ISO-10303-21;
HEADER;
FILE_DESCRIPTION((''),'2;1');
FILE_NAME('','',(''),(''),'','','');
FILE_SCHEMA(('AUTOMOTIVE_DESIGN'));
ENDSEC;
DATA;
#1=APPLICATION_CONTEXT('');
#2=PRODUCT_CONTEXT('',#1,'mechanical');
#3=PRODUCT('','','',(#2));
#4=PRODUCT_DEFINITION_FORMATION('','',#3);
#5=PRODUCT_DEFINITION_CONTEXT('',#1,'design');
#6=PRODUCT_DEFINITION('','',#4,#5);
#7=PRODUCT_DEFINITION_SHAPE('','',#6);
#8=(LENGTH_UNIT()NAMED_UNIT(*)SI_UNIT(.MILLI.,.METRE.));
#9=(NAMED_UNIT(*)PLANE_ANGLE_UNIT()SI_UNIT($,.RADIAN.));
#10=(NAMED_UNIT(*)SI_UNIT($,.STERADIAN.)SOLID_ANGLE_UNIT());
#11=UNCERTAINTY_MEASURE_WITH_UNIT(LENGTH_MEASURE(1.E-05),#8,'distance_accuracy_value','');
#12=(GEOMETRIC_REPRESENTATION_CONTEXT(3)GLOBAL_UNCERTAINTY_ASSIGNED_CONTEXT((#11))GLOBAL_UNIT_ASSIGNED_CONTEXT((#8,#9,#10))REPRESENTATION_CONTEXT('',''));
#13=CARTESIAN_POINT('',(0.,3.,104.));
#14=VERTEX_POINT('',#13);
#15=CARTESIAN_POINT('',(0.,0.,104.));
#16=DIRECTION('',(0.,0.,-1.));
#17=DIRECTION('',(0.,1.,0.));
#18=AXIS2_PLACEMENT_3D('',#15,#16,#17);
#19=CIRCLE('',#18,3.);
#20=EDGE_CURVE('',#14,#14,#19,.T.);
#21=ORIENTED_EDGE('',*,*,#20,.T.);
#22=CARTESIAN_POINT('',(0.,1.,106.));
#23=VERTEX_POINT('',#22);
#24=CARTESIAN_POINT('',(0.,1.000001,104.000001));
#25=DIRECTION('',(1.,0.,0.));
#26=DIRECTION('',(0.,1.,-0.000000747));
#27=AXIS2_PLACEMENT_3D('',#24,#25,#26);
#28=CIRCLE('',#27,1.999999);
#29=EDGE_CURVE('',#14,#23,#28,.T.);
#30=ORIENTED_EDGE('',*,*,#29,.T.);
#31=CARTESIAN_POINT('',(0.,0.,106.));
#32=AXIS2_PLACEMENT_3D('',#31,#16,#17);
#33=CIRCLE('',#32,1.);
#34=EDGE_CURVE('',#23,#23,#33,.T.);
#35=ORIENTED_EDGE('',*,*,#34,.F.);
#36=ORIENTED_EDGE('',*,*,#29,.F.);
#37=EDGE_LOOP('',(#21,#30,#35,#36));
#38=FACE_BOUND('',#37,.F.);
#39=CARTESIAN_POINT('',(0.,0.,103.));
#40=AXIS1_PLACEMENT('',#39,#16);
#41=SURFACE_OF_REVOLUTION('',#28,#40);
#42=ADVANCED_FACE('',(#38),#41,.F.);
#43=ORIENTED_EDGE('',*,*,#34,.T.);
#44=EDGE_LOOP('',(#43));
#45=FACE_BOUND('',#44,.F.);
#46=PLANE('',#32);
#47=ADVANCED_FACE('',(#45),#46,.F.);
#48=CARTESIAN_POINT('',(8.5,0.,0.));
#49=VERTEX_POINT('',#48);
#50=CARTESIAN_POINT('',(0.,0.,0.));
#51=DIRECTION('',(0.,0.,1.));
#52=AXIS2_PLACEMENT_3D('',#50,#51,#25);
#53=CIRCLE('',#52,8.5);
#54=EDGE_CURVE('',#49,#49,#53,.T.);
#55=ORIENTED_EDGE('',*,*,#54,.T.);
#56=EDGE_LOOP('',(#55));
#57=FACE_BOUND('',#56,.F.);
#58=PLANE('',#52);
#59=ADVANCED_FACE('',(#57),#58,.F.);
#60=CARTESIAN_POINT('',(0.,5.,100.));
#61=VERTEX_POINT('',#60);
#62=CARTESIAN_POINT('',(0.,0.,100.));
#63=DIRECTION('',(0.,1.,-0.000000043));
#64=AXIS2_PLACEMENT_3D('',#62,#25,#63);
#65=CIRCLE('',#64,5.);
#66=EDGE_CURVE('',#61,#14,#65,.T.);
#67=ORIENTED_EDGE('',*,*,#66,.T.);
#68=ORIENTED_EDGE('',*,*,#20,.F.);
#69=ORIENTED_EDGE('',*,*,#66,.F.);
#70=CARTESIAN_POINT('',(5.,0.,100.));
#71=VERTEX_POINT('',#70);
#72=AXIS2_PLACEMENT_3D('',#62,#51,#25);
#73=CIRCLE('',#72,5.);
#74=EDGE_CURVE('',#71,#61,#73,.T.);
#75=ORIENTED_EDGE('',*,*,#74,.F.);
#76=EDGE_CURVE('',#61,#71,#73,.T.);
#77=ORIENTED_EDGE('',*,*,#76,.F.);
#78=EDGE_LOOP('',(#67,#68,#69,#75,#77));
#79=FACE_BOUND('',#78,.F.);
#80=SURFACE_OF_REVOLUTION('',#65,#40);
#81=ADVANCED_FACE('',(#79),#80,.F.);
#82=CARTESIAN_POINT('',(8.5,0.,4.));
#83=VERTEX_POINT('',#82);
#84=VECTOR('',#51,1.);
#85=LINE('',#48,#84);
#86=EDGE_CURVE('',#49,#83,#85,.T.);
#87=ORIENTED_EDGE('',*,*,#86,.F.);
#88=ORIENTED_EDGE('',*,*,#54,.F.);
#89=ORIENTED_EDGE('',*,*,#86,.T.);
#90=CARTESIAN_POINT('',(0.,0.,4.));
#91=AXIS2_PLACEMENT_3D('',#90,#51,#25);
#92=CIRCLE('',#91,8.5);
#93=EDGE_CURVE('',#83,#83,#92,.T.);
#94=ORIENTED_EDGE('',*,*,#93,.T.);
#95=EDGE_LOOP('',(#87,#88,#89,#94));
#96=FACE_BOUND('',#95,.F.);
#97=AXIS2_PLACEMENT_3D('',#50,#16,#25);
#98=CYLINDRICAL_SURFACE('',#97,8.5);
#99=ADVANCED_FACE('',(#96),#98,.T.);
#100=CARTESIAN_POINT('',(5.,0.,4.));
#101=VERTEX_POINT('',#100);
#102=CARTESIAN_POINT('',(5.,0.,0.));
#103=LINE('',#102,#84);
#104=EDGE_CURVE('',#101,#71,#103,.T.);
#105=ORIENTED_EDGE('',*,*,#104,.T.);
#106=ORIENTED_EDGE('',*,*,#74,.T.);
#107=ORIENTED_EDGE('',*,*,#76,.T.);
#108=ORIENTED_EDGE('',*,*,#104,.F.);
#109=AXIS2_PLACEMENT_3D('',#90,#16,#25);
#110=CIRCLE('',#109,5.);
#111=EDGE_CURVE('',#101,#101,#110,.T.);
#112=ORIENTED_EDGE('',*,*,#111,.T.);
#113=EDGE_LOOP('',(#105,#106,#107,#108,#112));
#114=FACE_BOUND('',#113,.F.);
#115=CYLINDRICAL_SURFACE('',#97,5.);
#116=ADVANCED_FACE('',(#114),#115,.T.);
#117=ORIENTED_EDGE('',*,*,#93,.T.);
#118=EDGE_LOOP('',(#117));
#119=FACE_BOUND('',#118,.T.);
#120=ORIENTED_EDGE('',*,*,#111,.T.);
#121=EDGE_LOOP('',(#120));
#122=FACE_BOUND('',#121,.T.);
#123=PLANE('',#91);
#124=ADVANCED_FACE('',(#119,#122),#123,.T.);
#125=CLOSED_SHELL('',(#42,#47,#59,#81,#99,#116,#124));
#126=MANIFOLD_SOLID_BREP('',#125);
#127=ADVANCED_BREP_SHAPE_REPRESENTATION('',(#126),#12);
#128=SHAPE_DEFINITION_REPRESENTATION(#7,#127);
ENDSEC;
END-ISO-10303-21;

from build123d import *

# Parameters (mm, degrees)
F0_R     = 8.5
F1_DEPTH = 4
F2_R     = 5
F3_DEPTH = 100


with BuildPart() as f1:
    # F0 (on Top) → F1 (new body)
    with BuildSketch(Plane.XY):
        Circle(F0_R)
    extrude(amount=F1_DEPTH)

    # F2 (on Top) → F3 (join)
    with BuildSketch(Plane.XY):
        Circle(F2_R)
    extrude(amount=F3_DEPTH)

    # F4 (on Right) → F5 (revolve)
    with BuildSketch(Plane.YZ):
        with BuildLine():
            Line((0, 104), (0, 100))
            Line((0, 100), (5, 100))
            ThreePointArc((5, 100), (4.472136, 102.236068), (3, 104))
            Line((3, 104), (0, 104))
        make_face()
        with BuildLine():
            ThreePointArc((0, 105), (1.581139, 104.743416), (3, 104))
            ThreePointArc((3, 104), (2.414214, 105.414214), (1, 106))
            Line((1, 106), (0, 106))
            Line((0, 106), (0, 105))
        make_face()
        with BuildLine():
            Line((0, 105), (0, 104))
            Line((0, 104), (3, 104))
            ThreePointArc((3, 104), (1.581139, 104.743416), (0, 105))
        make_face()
    revolve(axis=Axis((0, 0, 103), (0, 0, -1)))


solid = f1.part
